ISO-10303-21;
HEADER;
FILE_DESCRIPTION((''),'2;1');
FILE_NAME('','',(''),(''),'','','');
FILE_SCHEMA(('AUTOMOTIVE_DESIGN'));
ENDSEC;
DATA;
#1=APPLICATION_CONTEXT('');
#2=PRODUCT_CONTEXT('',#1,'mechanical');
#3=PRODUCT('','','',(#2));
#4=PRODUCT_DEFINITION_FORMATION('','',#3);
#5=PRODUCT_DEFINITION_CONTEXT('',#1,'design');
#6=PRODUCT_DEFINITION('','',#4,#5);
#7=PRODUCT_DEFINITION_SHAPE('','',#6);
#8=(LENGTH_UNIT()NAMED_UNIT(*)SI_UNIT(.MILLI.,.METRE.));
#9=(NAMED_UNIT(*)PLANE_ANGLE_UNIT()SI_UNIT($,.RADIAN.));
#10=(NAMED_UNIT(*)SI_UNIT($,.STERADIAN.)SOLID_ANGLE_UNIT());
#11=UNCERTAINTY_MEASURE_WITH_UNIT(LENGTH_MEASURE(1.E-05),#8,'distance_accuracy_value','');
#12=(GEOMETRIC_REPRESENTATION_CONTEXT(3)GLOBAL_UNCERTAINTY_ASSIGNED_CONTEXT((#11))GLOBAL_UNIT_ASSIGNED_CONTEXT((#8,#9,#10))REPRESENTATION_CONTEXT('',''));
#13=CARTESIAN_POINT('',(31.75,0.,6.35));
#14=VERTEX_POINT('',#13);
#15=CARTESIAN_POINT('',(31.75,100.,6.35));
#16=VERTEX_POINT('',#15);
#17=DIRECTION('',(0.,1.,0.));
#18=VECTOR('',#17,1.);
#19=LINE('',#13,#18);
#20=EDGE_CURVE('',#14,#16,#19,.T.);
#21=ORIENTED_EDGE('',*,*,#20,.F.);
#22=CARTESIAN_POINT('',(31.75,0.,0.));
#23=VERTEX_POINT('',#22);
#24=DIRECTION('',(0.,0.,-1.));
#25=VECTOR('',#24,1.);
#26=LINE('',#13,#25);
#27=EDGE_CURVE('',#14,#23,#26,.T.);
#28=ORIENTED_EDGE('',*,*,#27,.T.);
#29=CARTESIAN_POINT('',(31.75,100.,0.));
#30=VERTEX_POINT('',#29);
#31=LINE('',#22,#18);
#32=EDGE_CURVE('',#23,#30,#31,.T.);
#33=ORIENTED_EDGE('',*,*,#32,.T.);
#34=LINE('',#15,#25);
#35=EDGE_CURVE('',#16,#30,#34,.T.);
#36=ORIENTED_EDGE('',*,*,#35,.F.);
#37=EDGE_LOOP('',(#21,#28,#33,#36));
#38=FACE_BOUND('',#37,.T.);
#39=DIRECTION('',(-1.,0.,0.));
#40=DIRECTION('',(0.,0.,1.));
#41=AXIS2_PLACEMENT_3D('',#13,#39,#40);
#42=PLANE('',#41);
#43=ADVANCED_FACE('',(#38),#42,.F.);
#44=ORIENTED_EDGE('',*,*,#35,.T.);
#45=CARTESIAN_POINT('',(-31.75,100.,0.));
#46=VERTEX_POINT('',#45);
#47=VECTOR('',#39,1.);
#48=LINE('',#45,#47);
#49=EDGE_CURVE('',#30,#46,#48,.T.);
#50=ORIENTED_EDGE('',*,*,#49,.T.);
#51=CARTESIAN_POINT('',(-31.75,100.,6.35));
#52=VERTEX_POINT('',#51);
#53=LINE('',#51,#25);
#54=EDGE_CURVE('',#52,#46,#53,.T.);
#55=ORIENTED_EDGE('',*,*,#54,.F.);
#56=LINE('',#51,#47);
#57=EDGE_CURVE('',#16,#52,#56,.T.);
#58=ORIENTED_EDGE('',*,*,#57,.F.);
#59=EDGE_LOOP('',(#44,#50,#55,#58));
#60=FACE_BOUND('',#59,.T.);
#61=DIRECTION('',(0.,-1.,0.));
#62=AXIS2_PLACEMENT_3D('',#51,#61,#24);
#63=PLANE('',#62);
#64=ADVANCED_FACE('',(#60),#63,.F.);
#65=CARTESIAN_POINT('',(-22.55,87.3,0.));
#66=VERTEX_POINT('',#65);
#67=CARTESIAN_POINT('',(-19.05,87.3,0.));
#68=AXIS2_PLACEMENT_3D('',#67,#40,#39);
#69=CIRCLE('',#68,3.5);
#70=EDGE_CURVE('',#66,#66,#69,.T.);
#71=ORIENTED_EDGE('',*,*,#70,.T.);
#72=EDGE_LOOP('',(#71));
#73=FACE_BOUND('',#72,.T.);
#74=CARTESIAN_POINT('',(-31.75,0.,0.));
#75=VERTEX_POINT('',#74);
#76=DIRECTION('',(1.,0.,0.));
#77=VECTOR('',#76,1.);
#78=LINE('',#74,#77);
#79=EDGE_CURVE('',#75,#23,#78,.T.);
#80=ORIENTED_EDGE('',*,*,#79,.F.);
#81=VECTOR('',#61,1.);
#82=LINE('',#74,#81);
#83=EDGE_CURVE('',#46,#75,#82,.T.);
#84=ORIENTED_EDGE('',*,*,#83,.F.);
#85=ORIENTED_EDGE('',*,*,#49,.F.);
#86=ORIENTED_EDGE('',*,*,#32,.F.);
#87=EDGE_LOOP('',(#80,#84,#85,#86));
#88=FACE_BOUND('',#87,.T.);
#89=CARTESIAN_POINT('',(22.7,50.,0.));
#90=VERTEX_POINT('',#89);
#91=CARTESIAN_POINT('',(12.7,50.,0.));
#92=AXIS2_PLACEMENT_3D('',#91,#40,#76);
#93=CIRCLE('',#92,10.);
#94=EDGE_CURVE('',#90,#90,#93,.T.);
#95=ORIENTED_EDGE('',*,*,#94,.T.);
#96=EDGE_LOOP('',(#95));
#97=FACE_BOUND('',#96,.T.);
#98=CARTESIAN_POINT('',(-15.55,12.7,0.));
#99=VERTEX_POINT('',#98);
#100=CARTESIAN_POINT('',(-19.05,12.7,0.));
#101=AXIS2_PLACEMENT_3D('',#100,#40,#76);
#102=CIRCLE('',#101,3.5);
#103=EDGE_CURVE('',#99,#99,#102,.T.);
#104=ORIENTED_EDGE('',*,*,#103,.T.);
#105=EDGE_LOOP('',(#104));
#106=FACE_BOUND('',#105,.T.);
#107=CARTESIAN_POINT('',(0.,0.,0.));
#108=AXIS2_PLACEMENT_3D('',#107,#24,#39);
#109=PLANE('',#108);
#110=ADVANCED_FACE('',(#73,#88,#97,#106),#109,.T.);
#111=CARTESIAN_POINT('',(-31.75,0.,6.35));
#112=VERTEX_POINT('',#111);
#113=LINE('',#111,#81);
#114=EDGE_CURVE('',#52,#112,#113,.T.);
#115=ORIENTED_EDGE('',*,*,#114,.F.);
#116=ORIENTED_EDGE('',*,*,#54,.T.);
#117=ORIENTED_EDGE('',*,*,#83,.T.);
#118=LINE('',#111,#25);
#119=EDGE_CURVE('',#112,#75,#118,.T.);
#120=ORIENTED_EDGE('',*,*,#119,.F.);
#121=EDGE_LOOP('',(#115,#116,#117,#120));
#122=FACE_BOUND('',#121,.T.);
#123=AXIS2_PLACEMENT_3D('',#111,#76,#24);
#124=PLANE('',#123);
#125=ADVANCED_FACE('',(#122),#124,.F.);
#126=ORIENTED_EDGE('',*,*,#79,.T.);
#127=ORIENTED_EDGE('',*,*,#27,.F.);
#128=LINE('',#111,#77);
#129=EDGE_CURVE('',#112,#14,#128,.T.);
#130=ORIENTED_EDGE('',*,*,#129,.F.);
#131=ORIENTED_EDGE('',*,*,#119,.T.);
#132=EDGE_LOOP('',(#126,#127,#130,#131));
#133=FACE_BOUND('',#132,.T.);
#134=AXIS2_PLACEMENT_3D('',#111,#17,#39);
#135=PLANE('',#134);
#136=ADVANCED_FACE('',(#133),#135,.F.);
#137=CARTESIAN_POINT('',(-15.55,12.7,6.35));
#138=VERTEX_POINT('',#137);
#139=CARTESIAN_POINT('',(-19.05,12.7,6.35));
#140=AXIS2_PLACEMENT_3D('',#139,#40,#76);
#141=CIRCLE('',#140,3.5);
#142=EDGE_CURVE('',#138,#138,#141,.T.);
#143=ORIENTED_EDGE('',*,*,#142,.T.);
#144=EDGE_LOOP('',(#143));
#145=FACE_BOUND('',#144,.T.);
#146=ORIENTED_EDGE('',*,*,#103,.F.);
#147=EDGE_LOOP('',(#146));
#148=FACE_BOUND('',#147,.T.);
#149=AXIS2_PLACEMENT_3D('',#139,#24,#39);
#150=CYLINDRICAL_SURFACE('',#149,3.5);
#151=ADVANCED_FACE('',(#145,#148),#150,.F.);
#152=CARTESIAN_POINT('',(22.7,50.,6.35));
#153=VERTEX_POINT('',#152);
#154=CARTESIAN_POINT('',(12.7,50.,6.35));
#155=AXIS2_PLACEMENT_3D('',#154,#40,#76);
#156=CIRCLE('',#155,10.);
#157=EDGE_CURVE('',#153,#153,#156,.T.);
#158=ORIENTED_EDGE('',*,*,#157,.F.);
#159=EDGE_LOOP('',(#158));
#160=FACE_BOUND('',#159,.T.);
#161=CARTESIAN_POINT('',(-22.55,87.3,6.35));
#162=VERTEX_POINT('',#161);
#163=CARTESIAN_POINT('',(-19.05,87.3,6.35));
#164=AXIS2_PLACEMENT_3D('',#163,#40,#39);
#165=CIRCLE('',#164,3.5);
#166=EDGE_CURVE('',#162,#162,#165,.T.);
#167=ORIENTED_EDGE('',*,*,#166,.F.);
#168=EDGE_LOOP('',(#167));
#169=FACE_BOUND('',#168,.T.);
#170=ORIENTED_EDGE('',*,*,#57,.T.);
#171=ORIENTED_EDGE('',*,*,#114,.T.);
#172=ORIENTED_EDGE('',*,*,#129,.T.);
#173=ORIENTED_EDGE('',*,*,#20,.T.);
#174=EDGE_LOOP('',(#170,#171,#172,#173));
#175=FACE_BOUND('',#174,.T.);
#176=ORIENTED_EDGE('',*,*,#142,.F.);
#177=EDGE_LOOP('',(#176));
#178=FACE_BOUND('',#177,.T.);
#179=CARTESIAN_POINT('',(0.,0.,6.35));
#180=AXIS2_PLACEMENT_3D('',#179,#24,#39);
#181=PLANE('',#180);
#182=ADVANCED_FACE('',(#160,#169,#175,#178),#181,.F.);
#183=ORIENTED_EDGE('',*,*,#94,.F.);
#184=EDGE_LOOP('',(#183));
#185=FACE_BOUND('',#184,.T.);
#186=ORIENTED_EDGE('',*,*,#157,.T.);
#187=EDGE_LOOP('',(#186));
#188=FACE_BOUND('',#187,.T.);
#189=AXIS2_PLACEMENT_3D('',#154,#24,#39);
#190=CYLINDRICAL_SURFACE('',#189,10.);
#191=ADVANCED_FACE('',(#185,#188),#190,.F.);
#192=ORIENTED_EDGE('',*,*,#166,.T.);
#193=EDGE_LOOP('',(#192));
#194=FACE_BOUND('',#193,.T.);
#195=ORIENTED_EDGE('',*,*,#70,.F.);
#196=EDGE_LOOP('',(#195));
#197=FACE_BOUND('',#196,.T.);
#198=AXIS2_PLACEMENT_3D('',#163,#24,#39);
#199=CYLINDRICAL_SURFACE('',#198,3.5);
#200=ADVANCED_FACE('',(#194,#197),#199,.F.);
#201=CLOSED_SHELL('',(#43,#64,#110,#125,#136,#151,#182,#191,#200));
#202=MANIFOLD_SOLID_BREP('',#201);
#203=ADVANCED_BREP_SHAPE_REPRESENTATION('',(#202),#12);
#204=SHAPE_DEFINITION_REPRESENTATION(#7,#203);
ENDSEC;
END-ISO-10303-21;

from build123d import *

# Parameters (mm, degrees)
SKETCH1_W           = 63.5
SKETCH1_H           = 100
SKETCH1_R           = 3.5
SKETCH1_R_2         = 10
BOSS_EXTRUDE1_DEPTH = 6.35


with BuildPart() as part:
    # Sketch1 → Boss-Extrude1 (new body)
    with BuildSketch(Plane.XY):
        with Locations((0, 50)):
            Rectangle(SKETCH1_W, SKETCH1_H)
        with Locations((-19.05, 12.7)):
            Circle(SKETCH1_R, mode=Mode.SUBTRACT)
        with Locations(Location((-19.05, 87.3, 0), (0, 0, 180))):
            Circle(SKETCH1_R, mode=Mode.SUBTRACT)
        with Locations((12.7, 50)):
            Circle(SKETCH1_R_2, mode=Mode.SUBTRACT)
    extrude(amount=BOSS_EXTRUDE1_DEPTH)


solid = part.part
